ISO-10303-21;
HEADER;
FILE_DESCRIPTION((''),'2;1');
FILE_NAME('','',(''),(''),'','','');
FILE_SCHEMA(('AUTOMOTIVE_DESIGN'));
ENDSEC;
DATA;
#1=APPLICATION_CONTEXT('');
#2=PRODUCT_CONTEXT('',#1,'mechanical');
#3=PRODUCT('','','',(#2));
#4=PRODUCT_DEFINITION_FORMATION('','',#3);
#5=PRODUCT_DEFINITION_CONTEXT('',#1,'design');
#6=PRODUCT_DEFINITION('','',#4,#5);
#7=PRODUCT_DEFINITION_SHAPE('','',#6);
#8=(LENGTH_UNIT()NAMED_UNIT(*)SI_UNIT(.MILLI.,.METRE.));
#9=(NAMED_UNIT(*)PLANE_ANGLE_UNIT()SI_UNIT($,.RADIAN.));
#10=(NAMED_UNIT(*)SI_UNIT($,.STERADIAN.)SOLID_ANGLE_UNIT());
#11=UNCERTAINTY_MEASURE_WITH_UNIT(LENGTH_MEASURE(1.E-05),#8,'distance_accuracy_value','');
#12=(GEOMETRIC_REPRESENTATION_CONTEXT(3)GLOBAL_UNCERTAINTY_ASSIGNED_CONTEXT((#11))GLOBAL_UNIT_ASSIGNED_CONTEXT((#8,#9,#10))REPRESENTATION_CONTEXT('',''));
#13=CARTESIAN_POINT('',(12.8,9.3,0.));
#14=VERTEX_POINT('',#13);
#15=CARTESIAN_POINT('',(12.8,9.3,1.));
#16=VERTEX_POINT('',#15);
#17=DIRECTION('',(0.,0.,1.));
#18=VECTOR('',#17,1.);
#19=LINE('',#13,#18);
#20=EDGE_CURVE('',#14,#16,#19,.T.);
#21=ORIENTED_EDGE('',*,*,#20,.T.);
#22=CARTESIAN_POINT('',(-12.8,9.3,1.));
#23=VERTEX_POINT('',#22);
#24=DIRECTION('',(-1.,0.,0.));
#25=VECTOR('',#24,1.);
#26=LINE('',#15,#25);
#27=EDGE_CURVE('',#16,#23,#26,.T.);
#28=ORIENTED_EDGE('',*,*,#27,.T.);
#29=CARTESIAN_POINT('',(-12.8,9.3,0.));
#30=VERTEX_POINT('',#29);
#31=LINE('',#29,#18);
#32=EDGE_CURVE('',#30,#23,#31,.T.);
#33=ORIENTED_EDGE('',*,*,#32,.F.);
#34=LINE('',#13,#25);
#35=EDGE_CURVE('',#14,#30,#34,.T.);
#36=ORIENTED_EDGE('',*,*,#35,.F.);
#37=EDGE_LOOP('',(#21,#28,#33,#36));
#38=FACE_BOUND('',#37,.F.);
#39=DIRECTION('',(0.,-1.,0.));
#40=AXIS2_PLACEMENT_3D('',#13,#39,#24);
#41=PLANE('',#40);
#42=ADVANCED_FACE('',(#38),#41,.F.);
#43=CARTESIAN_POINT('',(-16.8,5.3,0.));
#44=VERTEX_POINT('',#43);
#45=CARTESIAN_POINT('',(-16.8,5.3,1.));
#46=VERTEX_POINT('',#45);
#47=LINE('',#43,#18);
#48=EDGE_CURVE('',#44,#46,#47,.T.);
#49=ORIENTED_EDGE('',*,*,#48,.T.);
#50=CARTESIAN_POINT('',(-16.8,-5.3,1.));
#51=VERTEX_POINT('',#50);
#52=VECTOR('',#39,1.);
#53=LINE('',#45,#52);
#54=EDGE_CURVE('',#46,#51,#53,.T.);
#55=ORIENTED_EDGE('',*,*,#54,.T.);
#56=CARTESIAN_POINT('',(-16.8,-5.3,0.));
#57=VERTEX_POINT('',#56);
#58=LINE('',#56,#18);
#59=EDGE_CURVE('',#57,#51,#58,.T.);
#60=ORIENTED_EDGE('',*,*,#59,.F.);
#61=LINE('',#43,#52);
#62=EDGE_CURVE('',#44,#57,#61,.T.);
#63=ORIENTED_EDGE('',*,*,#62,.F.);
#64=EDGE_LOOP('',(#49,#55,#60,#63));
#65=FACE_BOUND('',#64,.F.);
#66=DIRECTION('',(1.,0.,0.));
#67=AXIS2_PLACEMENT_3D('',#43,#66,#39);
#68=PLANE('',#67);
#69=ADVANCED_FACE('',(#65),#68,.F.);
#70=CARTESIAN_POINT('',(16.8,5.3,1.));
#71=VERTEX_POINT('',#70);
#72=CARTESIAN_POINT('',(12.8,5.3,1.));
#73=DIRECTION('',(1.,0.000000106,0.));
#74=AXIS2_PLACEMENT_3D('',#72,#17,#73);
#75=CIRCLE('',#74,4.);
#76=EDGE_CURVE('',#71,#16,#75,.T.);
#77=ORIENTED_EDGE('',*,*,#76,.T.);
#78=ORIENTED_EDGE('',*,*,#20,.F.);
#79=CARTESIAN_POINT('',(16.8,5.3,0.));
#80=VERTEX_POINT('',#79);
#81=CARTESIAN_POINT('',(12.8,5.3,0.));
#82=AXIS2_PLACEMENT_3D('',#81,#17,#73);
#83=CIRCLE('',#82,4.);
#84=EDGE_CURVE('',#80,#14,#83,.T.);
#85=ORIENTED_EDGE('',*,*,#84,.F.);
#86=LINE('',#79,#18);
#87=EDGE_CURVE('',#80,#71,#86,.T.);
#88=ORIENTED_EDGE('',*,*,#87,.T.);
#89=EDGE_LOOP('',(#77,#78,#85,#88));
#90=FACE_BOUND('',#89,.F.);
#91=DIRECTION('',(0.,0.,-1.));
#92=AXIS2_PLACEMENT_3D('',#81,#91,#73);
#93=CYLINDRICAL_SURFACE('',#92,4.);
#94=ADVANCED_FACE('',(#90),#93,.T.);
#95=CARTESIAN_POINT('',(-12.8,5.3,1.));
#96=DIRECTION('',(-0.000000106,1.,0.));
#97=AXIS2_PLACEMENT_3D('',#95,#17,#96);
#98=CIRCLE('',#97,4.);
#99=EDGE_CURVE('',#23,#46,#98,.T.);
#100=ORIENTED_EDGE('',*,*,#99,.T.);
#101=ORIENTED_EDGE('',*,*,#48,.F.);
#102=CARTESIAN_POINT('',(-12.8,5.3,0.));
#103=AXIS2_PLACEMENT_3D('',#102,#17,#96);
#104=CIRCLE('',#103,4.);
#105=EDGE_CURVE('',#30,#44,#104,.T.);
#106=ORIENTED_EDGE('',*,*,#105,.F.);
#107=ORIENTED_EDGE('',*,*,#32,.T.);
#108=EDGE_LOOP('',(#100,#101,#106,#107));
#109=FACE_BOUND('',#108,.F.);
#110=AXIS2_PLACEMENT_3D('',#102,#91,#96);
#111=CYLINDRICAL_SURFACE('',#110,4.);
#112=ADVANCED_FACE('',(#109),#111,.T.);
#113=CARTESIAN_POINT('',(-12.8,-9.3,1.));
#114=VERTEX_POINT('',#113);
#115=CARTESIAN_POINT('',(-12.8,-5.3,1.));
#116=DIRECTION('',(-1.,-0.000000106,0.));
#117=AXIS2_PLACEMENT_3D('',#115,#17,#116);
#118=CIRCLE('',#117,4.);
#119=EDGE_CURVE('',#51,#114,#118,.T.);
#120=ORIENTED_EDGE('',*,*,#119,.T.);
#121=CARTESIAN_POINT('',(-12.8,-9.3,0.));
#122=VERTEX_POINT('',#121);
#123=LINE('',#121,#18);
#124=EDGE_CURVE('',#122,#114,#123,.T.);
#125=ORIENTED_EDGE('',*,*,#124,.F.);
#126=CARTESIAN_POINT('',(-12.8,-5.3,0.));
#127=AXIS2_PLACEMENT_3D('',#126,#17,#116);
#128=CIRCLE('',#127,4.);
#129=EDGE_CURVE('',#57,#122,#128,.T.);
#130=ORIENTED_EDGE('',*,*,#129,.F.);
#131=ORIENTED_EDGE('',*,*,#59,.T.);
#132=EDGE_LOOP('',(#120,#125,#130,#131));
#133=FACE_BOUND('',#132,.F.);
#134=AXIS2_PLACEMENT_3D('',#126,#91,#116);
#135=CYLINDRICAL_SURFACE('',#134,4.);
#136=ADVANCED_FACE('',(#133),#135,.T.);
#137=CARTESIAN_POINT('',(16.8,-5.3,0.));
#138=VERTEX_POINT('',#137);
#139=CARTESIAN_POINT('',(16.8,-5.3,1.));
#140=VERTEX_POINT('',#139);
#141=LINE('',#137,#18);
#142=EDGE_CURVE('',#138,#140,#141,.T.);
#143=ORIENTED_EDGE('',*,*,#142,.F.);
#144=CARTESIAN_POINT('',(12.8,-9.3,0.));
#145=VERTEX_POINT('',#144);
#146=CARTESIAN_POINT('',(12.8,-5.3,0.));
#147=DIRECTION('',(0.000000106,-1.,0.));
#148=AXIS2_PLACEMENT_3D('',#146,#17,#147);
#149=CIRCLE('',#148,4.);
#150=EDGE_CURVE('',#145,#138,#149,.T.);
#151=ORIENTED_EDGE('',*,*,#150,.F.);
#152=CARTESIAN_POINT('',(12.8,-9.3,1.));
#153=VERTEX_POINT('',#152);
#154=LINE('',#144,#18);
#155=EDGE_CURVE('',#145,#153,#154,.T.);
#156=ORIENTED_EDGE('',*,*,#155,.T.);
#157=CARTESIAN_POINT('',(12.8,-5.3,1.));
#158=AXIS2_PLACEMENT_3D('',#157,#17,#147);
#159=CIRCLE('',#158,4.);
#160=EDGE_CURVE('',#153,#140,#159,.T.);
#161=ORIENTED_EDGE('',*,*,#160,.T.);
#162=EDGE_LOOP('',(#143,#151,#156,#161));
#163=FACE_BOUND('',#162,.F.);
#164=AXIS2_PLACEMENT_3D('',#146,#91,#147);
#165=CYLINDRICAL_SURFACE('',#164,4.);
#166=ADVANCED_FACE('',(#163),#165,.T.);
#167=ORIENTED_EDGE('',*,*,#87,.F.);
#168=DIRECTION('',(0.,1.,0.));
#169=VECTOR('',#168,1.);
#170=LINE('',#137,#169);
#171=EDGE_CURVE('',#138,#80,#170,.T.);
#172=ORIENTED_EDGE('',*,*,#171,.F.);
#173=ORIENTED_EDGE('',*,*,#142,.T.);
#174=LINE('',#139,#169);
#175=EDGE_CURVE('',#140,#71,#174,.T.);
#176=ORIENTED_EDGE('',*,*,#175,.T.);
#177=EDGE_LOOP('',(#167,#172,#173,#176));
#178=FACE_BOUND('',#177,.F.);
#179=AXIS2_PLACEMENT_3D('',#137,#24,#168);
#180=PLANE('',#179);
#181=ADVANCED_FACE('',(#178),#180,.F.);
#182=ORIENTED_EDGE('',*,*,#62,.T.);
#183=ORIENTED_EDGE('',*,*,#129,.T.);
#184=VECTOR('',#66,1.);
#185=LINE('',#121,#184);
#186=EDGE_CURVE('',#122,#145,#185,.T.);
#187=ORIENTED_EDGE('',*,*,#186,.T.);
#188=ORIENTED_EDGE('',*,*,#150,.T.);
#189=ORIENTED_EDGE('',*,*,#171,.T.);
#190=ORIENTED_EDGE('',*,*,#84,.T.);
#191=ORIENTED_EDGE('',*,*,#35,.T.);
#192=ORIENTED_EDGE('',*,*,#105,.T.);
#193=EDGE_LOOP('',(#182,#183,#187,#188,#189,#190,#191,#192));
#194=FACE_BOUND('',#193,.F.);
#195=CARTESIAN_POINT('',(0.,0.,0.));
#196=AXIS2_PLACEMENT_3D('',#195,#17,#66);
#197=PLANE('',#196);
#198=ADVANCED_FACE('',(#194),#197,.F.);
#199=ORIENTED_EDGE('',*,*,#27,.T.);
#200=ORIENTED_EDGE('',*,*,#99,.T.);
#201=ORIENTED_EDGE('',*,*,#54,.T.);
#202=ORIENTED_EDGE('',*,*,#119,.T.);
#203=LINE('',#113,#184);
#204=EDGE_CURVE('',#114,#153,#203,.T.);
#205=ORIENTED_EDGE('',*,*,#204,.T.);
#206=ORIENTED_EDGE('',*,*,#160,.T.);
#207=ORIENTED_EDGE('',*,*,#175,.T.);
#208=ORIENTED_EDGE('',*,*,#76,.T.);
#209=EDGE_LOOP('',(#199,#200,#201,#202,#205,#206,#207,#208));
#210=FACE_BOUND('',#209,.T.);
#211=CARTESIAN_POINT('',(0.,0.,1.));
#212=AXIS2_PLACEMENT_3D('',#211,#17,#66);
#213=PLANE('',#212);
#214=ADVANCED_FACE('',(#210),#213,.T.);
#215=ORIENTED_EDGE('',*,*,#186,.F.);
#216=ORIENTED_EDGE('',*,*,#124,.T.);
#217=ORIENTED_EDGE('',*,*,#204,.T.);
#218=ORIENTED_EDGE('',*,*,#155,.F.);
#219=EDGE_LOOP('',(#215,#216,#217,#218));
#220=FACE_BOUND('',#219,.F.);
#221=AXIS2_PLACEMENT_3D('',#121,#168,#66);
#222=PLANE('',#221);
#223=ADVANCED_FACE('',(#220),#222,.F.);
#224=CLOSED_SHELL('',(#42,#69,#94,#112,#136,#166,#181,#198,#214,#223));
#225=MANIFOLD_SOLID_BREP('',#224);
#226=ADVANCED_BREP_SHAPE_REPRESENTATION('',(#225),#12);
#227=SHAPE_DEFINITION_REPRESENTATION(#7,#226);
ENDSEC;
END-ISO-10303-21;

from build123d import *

# Parameters (mm, degrees)
F1_DEPTH = 1


with BuildPart() as f1:
    # F0 (on Top) → F1 (new body)
    with BuildSketch(Plane.XY):
        with BuildLine():
            Line((-16.8, 5.3), (-16.8, -5.3))
            ThreePointArc((-16.8, -5.3), (-15.628427, -8.128427), (-12.8, -9.3))
            Line((-12.8, -9.3), (12.8, -9.3))
            ThreePointArc((12.8, -9.3), (15.628427, -8.128427), (16.8, -5.3))
            Line((16.8, -5.3), (16.8, 5.3))
            ThreePointArc((16.8, 5.3), (15.628427, 8.128427), (12.8, 9.3))
            Line((12.8, 9.3), (-12.8, 9.3))
            ThreePointArc((-12.8, 9.3), (-15.628427, 8.128427), (-16.8, 5.3))
        make_face()
        with BuildLine():
            ThreePointArc((16, -5.3), (15.062742, -7.562742), (12.8, -8.5))
            Line((12.8, -8.5), (-12.8, -8.5))
            ThreePointArc((-12.8, -8.5), (-15.062742, -7.562742), (-16, -5.3))
            Line((-16, -5.3), (-16, 5.3))
            ThreePointArc((-16, 5.3), (-15.062742, 7.562742), (-12.8, 8.5))
            Line((-12.8, 8.5), (12.8, 8.5))
            ThreePointArc((12.8, 8.5), (15.062742, 7.562742), (16, 5.3))
            Line((16, 5.3), (16, -5.3))
        make_face(mode=Mode.SUBTRACT)
        with BuildLine():
            Line((-12.8, -8.5), (12.8, -8.5))
            ThreePointArc((12.8, -8.5), (15.062742, -7.562742), (16, -5.3))
            Line((16, -5.3), (16, 5.3))
            ThreePointArc((16, 5.3), (15.062742, 7.562742), (12.8, 8.5))
            Line((12.8, 8.5), (-12.8, 8.5))
            ThreePointArc((-12.8, 8.5), (-15.062742, 7.562742), (-16, 5.3))
            Line((-16, 5.3), (-16, -5.3))
            ThreePointArc((-16, -5.3), (-15.062742, -7.562742), (-12.8, -8.5))
        make_face()
    extrude(amount=F1_DEPTH)


solid = f1.part
